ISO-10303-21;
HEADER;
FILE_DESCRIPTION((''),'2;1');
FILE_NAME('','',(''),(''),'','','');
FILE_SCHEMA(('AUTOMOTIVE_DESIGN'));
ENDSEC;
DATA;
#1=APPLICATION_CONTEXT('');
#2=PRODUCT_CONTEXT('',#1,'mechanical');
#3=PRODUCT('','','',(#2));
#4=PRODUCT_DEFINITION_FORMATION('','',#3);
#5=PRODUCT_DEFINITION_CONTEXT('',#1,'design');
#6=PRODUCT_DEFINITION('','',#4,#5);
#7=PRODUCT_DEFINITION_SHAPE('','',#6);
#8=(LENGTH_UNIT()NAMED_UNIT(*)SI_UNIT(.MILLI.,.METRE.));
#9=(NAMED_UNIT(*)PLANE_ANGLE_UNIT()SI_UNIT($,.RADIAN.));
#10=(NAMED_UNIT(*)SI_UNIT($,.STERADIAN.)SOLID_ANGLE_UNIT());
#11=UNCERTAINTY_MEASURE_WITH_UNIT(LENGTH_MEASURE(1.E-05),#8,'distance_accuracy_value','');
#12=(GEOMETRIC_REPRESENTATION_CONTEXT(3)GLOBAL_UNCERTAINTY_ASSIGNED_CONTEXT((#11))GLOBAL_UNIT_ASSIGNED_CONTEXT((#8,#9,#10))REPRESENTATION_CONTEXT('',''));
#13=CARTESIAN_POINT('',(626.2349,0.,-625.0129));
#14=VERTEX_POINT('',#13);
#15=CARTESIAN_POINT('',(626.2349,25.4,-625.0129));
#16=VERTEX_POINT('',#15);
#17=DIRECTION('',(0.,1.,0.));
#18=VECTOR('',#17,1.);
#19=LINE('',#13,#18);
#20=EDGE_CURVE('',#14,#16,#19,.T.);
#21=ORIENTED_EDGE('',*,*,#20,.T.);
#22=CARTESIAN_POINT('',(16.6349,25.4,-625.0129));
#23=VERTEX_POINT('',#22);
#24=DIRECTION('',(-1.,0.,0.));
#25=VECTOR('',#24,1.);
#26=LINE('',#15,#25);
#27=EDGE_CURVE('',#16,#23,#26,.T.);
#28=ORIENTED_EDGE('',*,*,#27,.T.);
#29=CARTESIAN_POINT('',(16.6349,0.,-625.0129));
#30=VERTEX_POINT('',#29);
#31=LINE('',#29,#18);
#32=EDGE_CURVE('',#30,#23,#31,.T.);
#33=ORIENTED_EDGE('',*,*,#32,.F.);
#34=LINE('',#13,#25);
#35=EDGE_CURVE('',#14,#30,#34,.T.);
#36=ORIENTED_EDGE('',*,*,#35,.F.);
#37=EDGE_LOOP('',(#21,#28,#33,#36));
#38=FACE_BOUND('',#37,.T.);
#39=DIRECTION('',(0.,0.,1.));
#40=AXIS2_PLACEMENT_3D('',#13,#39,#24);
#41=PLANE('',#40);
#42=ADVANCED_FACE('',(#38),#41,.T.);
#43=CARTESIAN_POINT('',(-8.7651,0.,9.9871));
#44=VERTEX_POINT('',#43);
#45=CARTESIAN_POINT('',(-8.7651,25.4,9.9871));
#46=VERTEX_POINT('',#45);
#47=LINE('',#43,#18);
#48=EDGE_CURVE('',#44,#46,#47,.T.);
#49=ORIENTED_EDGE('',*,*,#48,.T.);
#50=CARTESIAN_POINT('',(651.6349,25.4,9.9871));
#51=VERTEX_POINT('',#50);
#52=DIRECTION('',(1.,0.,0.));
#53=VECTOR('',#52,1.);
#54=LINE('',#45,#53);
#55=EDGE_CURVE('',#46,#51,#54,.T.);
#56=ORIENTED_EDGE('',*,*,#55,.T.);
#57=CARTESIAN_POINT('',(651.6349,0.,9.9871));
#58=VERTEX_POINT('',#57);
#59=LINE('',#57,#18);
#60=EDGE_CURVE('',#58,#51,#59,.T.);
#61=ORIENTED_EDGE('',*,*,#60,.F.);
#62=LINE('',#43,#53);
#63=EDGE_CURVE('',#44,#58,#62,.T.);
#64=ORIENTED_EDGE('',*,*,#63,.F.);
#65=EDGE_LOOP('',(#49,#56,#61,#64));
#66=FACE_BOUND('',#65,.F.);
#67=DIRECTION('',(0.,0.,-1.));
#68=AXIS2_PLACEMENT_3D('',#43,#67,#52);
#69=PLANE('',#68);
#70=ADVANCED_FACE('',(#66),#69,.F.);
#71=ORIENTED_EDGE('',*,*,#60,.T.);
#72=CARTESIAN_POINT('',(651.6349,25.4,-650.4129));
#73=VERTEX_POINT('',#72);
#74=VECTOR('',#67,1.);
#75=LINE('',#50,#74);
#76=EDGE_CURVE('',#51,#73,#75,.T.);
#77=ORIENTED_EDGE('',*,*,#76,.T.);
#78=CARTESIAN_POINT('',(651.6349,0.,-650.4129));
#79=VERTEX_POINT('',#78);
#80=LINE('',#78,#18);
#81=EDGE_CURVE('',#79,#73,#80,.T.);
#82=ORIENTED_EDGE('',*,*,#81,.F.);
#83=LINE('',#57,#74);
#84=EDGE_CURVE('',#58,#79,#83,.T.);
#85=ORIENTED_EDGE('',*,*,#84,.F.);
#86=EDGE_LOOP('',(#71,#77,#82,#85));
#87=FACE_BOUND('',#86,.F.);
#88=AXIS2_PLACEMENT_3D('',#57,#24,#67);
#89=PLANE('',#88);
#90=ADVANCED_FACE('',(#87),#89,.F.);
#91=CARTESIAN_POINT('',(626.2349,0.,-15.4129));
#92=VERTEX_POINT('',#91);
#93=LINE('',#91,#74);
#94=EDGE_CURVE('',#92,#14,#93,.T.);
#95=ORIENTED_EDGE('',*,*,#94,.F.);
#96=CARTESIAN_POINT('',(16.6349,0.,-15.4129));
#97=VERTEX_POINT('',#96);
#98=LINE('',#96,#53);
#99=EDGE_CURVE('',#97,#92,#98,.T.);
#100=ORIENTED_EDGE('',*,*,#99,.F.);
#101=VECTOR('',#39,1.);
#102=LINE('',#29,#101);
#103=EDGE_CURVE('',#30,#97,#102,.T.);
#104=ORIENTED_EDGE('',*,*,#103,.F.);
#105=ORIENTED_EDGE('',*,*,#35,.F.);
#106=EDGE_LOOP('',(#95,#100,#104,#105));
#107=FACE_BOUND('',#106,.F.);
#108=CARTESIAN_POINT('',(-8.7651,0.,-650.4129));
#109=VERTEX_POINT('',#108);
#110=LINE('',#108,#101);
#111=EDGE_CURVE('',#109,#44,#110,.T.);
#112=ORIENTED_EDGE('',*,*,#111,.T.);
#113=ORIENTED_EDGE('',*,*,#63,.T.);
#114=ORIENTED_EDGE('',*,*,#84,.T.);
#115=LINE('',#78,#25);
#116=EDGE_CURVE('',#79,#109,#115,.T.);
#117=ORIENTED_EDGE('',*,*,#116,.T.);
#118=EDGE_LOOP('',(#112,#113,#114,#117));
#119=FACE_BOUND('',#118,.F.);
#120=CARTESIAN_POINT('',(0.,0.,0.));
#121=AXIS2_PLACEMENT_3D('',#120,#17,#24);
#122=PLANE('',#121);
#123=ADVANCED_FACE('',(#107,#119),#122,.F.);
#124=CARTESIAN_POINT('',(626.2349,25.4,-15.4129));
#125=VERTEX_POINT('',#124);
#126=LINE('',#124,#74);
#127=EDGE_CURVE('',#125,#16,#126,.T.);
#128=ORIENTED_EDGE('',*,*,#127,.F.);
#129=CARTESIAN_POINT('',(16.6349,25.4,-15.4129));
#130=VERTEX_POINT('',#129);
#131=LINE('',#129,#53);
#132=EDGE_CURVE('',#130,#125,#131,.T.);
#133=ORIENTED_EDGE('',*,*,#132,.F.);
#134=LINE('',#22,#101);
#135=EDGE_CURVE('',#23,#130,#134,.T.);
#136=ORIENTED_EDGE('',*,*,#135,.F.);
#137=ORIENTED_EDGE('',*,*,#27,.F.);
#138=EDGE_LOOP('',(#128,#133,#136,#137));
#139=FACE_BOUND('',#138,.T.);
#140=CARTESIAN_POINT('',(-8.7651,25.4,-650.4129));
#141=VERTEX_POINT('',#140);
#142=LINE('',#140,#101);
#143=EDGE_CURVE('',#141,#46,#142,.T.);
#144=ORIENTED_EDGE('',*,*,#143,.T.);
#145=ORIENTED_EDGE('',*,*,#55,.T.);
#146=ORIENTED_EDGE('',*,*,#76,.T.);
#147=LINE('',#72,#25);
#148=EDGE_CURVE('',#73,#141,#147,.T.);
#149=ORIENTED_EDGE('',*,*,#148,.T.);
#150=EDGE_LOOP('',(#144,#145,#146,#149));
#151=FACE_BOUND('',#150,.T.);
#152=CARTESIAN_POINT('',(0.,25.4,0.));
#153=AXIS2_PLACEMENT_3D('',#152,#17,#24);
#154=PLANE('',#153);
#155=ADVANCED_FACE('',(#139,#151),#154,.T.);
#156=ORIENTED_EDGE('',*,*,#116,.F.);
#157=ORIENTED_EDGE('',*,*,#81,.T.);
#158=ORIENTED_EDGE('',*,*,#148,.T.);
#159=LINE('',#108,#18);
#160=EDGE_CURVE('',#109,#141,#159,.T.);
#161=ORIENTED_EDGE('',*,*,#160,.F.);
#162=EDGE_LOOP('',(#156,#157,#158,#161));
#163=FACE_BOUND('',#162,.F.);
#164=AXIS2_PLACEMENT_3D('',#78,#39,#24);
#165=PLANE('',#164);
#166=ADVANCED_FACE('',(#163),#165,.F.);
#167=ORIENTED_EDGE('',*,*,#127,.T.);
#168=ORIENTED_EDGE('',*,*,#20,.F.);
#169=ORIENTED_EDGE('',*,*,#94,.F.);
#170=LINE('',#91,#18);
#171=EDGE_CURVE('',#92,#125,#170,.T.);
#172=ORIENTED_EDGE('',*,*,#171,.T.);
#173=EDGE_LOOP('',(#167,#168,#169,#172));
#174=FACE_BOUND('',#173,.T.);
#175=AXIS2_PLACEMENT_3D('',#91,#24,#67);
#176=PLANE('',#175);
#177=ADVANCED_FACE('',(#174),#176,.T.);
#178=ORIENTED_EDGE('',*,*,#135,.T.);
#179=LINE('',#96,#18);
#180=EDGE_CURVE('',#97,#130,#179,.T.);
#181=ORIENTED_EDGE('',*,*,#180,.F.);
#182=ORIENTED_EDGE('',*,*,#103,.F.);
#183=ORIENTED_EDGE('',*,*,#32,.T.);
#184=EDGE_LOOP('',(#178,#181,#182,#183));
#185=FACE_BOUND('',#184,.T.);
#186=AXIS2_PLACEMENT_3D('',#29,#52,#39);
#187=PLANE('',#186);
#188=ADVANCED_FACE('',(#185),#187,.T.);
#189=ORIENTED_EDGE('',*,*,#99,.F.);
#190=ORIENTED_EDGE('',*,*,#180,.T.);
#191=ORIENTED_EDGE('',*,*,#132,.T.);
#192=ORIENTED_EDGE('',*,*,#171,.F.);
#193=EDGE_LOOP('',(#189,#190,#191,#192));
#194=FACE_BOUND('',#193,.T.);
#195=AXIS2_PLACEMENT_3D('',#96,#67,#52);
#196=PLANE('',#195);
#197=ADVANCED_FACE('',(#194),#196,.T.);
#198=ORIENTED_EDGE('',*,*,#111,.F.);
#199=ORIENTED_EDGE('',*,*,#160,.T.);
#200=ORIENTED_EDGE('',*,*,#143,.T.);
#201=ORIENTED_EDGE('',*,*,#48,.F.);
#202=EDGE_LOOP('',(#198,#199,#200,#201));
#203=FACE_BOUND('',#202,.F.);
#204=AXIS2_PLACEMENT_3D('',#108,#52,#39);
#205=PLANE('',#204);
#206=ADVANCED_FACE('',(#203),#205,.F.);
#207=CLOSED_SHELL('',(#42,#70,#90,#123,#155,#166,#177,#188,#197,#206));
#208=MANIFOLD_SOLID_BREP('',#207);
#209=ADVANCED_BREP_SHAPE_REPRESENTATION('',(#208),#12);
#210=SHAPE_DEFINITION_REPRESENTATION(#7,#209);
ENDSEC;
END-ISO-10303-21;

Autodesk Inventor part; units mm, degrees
ref_plane "YZ Plane" through (0, 0, 0) normal (1, 0, 0) x (0, 1, 0)
ref_plane "XZ Plane" through (0, 0, 0) normal (0, 1, 0) x (-1, 0, 0)
ref_plane "XY Plane" through (0, 0, 0) normal (0, 0, 1) x (1, 0, 0)
sketch "Sketch1" plane through (0, 0, 0) normal (0, 1, 0) x (-1, 0, 0)
  line L0 (8.7651, 9.9871) -> (-651.6349, 9.9871)
  line L1 (-651.6349, 9.9871) -> (-651.6349, -650.4129)
  line L2 (-651.6349, -650.4129) -> (8.7651, -650.4129)
  line L3 (8.7651, -650.4129) -> (8.7651, 9.9871)
  line L4 (-16.6349, -15.4129) -> (-626.2349, -15.4129)
  line L5 (-626.2349, -15.4129) -> (-626.2349, -625.0129)
  line L6 (-626.2349, -625.0129) -> (-16.6349, -625.0129)
  line L7 (-16.6349, -625.0129) -> (-16.6349, -15.4129)
  point P0 (0, 0)
  dimension "d0" = 660.4
  dimension "d1" = 660.4
  dimension "d2" = 25.4
sketch "Sketch2" plane through (0, 0, 0) normal (0, 1, 0) x (-1, 0, 0)
  line L0 (-333.5663, -626.2819) -> (-333.5663, -550.0819) construction
  line L1 (-625.3108, -550.0819) -> (-18.6287, -550.0819) construction
  point P0 (0, 0)
  dimension "d3" = 76.2
extrude "Extrusion1" add sketch "Sketch1" along normal blind 25.4
properties part number "Frame Outline"
